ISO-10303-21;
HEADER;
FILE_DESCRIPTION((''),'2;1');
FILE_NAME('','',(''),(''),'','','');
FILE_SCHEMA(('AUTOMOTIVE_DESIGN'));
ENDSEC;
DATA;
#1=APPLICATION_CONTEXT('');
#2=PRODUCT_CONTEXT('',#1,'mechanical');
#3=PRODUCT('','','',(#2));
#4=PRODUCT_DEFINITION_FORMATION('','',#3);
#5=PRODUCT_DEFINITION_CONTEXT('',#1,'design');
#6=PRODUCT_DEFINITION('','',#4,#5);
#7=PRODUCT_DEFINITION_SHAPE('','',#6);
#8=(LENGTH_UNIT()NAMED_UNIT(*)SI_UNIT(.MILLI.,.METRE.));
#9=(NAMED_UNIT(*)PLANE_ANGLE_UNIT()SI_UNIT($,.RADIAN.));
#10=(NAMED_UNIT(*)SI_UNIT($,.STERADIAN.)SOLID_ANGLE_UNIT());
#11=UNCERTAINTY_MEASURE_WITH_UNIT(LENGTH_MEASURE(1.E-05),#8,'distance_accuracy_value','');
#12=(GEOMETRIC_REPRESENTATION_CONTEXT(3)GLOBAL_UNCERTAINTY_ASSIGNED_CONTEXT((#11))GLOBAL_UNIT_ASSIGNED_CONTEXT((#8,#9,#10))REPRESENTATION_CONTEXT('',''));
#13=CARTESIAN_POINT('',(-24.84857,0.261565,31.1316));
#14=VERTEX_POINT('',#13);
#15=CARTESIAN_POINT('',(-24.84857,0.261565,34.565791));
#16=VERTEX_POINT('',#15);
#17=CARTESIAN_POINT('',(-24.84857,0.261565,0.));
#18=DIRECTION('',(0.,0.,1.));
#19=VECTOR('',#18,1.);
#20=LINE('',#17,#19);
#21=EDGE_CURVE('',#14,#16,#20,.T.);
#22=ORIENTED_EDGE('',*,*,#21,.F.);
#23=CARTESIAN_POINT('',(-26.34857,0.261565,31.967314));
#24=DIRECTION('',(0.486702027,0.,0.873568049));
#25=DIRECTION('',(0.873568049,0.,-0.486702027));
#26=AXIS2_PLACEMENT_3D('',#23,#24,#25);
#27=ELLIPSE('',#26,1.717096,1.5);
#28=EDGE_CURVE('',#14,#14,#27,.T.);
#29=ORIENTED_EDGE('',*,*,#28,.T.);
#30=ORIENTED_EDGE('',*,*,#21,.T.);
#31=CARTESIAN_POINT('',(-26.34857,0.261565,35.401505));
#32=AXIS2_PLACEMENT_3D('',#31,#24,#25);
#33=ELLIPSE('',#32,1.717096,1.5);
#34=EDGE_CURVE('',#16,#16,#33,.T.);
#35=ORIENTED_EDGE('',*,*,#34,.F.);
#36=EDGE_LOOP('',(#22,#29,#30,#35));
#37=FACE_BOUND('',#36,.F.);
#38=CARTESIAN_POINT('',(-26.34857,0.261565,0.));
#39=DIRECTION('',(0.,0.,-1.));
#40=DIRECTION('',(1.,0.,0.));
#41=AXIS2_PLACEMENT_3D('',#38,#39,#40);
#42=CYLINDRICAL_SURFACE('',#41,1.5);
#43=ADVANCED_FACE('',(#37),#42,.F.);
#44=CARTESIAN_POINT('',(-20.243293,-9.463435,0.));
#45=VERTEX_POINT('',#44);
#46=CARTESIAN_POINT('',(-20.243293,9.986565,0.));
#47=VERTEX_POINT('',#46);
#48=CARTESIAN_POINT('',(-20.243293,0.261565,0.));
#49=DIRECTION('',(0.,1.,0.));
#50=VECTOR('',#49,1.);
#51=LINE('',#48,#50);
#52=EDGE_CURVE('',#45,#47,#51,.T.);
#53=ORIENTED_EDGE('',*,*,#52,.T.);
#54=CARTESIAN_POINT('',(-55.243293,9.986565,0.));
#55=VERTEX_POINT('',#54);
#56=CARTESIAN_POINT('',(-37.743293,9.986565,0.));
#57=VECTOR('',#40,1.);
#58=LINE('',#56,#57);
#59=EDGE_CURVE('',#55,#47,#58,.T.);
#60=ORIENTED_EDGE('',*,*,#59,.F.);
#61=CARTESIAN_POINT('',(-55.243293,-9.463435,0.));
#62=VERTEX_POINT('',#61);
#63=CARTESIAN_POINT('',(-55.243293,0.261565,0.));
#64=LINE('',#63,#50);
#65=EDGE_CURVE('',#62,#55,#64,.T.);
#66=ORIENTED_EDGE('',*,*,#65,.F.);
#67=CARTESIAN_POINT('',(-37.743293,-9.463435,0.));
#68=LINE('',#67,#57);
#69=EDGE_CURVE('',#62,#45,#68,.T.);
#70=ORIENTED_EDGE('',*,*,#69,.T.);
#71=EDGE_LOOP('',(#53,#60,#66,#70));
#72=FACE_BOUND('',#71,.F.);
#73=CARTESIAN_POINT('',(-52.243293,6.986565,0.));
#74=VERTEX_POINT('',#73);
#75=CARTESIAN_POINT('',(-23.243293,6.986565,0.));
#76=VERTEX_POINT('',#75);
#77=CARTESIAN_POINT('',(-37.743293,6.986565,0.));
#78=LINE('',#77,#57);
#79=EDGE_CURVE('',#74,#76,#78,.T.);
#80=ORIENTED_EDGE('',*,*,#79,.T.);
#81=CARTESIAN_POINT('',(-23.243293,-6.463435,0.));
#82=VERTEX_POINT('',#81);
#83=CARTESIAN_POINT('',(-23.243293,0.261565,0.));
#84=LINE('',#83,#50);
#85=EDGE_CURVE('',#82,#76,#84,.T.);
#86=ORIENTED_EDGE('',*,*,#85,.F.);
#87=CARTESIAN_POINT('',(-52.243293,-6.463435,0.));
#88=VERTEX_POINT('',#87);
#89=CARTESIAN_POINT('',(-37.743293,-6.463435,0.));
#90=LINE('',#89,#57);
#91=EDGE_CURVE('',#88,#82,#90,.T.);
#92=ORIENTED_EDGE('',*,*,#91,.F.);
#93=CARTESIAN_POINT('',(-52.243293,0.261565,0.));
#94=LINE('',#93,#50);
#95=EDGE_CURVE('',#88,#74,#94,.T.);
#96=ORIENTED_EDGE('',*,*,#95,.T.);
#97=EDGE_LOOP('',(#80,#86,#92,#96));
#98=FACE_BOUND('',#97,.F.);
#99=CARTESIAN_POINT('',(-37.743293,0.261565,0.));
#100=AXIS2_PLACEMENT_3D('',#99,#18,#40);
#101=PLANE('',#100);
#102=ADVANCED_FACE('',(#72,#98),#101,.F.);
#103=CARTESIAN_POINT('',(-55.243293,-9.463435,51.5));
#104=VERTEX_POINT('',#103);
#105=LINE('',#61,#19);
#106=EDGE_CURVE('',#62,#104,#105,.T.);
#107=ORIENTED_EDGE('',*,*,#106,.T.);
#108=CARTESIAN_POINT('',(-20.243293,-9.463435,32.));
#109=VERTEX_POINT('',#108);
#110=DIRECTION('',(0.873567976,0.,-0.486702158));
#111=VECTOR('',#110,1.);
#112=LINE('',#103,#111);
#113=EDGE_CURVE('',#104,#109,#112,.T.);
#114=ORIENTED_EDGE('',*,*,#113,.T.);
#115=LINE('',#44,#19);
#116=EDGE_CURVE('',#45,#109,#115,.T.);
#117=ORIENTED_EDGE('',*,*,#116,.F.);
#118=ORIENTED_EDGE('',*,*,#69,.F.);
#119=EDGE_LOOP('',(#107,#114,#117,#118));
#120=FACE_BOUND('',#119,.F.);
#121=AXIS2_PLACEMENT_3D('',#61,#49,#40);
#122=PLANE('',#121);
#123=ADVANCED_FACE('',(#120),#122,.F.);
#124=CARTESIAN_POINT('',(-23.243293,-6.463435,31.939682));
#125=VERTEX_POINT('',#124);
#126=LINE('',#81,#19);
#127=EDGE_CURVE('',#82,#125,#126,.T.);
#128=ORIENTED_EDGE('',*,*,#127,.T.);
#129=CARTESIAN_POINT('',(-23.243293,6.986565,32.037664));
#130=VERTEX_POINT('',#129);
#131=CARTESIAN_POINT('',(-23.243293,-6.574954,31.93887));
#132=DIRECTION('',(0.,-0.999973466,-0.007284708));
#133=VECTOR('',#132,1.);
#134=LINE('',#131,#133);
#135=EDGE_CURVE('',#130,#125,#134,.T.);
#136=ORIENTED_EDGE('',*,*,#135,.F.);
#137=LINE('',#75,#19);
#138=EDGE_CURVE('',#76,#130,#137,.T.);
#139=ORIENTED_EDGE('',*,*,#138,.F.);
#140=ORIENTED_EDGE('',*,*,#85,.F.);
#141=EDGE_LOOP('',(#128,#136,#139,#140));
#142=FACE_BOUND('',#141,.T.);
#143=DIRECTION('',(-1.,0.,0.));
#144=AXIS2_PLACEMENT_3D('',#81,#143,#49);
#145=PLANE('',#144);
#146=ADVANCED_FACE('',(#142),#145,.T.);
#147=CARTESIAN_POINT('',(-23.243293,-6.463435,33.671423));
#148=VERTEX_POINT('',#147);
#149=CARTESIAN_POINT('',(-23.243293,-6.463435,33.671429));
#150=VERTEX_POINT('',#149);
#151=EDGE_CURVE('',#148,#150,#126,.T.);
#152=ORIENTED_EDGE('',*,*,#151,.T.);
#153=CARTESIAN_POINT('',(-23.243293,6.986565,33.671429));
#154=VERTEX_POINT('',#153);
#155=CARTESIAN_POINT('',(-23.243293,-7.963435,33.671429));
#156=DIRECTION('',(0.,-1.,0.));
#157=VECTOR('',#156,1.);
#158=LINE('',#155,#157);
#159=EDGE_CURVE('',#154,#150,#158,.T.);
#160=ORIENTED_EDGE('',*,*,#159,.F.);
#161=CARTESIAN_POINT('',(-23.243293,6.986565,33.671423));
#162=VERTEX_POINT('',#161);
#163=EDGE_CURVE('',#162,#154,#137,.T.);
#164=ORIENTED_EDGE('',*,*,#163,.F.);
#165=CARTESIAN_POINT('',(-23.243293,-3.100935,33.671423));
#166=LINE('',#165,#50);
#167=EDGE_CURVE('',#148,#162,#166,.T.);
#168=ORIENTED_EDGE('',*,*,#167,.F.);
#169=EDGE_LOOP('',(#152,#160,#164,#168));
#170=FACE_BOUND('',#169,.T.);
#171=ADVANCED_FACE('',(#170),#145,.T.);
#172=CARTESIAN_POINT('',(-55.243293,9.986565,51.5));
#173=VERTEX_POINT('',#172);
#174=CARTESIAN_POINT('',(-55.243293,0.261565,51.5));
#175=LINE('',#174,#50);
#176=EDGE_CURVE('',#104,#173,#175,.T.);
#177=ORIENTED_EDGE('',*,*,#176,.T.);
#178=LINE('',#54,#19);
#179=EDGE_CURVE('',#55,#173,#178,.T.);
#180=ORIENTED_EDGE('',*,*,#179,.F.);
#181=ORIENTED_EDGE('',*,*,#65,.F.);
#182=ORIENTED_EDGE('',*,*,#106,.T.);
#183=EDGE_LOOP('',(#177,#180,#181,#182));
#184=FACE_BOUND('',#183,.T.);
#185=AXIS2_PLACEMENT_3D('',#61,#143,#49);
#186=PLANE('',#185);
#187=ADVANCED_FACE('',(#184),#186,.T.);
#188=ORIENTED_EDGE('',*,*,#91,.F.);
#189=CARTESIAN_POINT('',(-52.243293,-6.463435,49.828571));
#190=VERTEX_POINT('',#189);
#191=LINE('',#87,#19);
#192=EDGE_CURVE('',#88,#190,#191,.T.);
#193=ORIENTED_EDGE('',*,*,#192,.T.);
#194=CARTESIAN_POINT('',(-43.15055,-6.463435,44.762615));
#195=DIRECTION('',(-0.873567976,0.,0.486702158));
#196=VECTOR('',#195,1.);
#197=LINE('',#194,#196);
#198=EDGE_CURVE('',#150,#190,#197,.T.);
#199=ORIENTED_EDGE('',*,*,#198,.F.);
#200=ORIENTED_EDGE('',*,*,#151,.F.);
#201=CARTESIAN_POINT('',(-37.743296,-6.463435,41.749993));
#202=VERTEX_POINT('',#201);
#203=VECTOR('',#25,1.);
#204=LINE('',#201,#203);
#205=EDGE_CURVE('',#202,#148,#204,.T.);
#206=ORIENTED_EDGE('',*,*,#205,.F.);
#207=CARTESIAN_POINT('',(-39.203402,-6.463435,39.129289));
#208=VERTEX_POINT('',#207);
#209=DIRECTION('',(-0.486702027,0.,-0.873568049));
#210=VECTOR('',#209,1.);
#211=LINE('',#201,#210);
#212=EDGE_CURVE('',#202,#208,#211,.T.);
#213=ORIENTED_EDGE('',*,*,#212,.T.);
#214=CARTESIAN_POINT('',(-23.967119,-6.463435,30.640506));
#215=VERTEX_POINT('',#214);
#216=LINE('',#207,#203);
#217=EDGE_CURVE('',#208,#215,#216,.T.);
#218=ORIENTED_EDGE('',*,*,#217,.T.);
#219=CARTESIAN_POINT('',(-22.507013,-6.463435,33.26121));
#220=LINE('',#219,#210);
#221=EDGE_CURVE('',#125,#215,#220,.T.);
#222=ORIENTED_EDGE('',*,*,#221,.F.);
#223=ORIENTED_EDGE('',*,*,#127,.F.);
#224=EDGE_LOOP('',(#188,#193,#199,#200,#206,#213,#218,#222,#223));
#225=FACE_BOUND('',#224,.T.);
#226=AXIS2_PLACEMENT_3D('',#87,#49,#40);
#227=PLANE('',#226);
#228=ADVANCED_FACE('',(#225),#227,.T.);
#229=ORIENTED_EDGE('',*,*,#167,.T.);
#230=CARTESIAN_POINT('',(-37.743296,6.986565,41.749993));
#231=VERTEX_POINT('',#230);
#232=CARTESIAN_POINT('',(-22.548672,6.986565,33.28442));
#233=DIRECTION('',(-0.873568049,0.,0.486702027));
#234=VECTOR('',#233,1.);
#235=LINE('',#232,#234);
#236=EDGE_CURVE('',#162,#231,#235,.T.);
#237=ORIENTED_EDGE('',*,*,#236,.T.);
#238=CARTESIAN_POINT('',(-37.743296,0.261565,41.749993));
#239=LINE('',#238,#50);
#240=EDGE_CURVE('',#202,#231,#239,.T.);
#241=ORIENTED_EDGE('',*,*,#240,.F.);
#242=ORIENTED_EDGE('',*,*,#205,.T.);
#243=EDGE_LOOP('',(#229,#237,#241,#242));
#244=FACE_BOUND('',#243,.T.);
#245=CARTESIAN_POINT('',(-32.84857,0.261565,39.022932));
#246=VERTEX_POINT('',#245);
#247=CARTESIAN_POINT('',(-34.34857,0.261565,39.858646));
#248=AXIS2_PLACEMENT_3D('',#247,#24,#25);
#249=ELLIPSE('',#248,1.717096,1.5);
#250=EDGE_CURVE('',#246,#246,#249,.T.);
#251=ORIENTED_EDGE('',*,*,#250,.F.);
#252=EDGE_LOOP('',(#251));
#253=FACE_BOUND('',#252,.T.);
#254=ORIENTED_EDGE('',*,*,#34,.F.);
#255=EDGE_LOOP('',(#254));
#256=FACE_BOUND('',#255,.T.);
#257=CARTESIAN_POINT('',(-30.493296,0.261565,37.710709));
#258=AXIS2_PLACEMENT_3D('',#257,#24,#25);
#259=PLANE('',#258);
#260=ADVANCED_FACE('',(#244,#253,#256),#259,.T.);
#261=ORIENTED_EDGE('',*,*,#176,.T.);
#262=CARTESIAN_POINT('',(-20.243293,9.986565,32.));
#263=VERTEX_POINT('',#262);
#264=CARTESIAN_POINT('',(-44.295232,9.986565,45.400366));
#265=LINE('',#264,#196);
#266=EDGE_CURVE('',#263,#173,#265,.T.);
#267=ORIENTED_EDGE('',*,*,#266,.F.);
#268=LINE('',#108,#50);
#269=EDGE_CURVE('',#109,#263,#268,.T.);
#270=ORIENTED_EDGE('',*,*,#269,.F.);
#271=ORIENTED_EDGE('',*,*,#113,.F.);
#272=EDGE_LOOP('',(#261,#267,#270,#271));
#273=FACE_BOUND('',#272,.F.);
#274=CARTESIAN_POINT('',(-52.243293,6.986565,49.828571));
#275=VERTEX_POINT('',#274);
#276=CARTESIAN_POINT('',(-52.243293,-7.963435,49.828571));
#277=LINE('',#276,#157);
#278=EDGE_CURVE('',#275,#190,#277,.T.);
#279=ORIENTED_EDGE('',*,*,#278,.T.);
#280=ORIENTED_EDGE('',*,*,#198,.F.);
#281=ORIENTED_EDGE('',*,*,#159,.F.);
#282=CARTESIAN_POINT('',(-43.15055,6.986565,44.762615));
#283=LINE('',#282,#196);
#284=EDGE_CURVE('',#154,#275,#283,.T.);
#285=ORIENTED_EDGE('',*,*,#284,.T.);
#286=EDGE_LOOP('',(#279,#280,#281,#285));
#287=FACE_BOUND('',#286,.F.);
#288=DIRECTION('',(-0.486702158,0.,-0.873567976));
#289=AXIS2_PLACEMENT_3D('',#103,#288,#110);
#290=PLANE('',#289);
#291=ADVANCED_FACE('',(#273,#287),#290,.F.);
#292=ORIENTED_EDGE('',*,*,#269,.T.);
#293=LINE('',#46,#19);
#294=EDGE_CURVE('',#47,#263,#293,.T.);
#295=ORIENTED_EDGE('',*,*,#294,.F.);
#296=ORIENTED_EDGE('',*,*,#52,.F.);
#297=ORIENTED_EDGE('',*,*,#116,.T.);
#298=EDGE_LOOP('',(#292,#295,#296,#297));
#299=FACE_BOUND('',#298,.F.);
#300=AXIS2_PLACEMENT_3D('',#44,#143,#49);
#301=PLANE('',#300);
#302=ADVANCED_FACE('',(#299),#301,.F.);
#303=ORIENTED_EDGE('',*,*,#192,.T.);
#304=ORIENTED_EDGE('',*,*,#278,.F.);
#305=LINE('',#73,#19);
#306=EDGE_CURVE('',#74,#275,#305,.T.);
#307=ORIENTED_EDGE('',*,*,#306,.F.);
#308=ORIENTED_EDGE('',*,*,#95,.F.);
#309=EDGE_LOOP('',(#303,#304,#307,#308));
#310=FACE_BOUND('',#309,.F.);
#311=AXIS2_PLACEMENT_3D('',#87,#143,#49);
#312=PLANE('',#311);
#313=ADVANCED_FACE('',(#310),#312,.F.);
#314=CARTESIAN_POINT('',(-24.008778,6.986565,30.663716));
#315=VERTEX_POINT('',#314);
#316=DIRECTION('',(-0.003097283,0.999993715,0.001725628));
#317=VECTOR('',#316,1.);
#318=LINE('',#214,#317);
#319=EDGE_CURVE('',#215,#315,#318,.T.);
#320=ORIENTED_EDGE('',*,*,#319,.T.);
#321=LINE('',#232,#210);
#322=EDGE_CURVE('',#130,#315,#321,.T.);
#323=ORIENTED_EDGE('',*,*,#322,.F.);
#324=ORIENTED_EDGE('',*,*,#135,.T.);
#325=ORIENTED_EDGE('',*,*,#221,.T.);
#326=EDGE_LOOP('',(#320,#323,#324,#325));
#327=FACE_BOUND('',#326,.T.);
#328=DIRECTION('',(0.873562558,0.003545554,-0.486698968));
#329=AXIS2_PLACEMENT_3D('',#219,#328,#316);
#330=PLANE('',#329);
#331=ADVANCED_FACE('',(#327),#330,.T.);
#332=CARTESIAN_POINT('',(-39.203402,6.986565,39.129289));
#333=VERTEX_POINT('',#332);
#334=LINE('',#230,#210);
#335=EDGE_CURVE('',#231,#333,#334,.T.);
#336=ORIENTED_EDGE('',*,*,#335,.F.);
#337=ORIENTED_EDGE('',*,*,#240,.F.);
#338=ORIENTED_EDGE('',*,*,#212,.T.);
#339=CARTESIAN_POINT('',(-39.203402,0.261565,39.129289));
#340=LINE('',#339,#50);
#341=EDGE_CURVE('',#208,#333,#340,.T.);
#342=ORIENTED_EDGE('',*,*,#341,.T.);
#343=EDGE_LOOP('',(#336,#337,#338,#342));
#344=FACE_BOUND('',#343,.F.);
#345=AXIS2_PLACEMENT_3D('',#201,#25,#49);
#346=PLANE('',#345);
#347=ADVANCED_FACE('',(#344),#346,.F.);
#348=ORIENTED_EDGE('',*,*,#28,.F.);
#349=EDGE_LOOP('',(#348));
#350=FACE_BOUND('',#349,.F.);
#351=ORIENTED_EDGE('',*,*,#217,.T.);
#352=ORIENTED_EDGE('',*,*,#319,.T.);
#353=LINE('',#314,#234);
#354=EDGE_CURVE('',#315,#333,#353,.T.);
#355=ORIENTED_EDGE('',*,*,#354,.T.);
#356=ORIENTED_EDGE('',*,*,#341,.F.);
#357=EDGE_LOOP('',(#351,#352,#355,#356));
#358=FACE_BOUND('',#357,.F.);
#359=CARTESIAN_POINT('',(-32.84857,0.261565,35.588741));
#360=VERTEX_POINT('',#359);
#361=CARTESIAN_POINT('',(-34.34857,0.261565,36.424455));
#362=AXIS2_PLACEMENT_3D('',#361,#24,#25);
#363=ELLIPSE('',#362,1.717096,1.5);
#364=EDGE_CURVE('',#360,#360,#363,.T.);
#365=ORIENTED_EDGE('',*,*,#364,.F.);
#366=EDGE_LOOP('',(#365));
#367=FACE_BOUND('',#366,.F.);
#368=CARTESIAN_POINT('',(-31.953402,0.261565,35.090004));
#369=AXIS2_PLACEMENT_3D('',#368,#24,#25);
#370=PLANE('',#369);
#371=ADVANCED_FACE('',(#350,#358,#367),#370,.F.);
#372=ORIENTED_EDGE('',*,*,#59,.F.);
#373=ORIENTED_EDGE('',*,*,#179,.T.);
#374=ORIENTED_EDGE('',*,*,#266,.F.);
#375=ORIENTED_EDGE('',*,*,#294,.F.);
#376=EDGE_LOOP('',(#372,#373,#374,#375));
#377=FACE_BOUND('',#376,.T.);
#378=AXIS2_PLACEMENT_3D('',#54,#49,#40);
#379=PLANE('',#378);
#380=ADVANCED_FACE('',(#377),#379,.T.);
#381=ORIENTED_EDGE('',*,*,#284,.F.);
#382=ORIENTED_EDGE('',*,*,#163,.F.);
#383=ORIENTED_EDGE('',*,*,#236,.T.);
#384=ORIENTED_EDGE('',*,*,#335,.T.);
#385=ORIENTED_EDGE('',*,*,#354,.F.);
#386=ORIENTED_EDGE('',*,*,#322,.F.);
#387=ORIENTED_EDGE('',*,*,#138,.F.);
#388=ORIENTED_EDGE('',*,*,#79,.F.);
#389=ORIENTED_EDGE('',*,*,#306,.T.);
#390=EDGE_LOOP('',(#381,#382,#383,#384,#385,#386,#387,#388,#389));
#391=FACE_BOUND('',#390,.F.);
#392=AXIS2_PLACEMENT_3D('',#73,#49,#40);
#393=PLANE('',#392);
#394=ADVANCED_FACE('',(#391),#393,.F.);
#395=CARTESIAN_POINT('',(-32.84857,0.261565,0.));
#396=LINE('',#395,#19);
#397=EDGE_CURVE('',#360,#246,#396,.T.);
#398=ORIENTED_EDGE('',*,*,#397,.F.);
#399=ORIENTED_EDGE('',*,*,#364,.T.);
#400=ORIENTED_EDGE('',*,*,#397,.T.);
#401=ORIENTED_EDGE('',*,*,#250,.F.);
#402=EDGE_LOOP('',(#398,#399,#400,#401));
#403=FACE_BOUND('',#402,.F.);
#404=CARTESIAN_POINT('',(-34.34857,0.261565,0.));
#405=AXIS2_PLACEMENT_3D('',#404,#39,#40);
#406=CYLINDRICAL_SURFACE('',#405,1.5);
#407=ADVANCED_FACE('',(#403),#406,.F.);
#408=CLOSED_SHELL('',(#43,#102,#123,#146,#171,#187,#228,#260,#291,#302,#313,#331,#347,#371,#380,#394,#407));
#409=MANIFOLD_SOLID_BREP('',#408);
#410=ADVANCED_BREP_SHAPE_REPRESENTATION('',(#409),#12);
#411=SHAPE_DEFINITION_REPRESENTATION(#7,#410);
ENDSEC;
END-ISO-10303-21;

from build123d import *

# Parameters (mm, degrees)
F0_W     = 35
F0_H     = 19.45
F0_W_2   = 29
F0_H_2   = 13.45
F1_DEPTH = 51.5
F3_DEPTH = 25
F4_W     = 16.598594
F4_H     = 13.45
F4_R     = 1.5
F5_DEPTH = 3
F6_R     = 1.5
F7_DEPTH = 46.3


with BuildPart() as f1:
    # F0 (on Top) → F1 (new body)
    with BuildSketch(Plane.XY):
        with Locations((-37.743293, 0.261565)):
            Rectangle(F0_W, F0_H)
        with Locations((-37.743293, 0.261565)):
            Rectangle(F0_W_2, F0_H_2, mode=Mode.SUBTRACT)
    extrude(amount=F1_DEPTH)

    # F2 (on face) → F3 (cut)
    with BuildSketch(Plane.XZ.offset(9.463435)):
        Polygon((-20.243293, 51.5), (-55.243293, 51.5), (-20.243293, 32), align=None)
    extrude(amount=-F3_DEPTH, mode=Mode.SUBTRACT)

    # F4 (on face) → F5 (join)
    with BuildSketch(Plane(origin=(8.810147, 0, 15.813084), x_dir=(0.873568, 0, -0.486702), z_dir=(0.486702, 0, 0.873568))):
        with Locations((-44.99185, 0.261565)):
            Rectangle(F4_W, F4_H)
        with Locations((-49.282474, 0.261565)):
            Circle(F4_R, mode=Mode.SUBTRACT)
        with Locations((-41.720062, 0)):
            Circle(F4_R, mode=Mode.SUBTRACT)
        Polygon((-35.897397, 6.986565), (-36.692553, 6.986565), (-36.692553, -6.463435), (-35.849709, -6.463435), align=None)
        with Locations((-41.720062, 0)):
            Circle(F4_R)
        with Locations((-49.282474, 0.261565)):
            Circle(F4_R)
    extrude(amount=-F5_DEPTH)

    # F6 (on face) → F7 (cut)
    with BuildSketch(Plane(origin=(0, 0, 0), x_dir=(1, 0, 0), z_dir=(0, 0, -1))):
        with Locations((-26.34857, -0.261565)):
            Circle(F6_R)
        with Locations((-34.34857, -0.261565)):
            Circle(F6_R)
    extrude(amount=-F7_DEPTH, mode=Mode.SUBTRACT)


solid = f1.part
